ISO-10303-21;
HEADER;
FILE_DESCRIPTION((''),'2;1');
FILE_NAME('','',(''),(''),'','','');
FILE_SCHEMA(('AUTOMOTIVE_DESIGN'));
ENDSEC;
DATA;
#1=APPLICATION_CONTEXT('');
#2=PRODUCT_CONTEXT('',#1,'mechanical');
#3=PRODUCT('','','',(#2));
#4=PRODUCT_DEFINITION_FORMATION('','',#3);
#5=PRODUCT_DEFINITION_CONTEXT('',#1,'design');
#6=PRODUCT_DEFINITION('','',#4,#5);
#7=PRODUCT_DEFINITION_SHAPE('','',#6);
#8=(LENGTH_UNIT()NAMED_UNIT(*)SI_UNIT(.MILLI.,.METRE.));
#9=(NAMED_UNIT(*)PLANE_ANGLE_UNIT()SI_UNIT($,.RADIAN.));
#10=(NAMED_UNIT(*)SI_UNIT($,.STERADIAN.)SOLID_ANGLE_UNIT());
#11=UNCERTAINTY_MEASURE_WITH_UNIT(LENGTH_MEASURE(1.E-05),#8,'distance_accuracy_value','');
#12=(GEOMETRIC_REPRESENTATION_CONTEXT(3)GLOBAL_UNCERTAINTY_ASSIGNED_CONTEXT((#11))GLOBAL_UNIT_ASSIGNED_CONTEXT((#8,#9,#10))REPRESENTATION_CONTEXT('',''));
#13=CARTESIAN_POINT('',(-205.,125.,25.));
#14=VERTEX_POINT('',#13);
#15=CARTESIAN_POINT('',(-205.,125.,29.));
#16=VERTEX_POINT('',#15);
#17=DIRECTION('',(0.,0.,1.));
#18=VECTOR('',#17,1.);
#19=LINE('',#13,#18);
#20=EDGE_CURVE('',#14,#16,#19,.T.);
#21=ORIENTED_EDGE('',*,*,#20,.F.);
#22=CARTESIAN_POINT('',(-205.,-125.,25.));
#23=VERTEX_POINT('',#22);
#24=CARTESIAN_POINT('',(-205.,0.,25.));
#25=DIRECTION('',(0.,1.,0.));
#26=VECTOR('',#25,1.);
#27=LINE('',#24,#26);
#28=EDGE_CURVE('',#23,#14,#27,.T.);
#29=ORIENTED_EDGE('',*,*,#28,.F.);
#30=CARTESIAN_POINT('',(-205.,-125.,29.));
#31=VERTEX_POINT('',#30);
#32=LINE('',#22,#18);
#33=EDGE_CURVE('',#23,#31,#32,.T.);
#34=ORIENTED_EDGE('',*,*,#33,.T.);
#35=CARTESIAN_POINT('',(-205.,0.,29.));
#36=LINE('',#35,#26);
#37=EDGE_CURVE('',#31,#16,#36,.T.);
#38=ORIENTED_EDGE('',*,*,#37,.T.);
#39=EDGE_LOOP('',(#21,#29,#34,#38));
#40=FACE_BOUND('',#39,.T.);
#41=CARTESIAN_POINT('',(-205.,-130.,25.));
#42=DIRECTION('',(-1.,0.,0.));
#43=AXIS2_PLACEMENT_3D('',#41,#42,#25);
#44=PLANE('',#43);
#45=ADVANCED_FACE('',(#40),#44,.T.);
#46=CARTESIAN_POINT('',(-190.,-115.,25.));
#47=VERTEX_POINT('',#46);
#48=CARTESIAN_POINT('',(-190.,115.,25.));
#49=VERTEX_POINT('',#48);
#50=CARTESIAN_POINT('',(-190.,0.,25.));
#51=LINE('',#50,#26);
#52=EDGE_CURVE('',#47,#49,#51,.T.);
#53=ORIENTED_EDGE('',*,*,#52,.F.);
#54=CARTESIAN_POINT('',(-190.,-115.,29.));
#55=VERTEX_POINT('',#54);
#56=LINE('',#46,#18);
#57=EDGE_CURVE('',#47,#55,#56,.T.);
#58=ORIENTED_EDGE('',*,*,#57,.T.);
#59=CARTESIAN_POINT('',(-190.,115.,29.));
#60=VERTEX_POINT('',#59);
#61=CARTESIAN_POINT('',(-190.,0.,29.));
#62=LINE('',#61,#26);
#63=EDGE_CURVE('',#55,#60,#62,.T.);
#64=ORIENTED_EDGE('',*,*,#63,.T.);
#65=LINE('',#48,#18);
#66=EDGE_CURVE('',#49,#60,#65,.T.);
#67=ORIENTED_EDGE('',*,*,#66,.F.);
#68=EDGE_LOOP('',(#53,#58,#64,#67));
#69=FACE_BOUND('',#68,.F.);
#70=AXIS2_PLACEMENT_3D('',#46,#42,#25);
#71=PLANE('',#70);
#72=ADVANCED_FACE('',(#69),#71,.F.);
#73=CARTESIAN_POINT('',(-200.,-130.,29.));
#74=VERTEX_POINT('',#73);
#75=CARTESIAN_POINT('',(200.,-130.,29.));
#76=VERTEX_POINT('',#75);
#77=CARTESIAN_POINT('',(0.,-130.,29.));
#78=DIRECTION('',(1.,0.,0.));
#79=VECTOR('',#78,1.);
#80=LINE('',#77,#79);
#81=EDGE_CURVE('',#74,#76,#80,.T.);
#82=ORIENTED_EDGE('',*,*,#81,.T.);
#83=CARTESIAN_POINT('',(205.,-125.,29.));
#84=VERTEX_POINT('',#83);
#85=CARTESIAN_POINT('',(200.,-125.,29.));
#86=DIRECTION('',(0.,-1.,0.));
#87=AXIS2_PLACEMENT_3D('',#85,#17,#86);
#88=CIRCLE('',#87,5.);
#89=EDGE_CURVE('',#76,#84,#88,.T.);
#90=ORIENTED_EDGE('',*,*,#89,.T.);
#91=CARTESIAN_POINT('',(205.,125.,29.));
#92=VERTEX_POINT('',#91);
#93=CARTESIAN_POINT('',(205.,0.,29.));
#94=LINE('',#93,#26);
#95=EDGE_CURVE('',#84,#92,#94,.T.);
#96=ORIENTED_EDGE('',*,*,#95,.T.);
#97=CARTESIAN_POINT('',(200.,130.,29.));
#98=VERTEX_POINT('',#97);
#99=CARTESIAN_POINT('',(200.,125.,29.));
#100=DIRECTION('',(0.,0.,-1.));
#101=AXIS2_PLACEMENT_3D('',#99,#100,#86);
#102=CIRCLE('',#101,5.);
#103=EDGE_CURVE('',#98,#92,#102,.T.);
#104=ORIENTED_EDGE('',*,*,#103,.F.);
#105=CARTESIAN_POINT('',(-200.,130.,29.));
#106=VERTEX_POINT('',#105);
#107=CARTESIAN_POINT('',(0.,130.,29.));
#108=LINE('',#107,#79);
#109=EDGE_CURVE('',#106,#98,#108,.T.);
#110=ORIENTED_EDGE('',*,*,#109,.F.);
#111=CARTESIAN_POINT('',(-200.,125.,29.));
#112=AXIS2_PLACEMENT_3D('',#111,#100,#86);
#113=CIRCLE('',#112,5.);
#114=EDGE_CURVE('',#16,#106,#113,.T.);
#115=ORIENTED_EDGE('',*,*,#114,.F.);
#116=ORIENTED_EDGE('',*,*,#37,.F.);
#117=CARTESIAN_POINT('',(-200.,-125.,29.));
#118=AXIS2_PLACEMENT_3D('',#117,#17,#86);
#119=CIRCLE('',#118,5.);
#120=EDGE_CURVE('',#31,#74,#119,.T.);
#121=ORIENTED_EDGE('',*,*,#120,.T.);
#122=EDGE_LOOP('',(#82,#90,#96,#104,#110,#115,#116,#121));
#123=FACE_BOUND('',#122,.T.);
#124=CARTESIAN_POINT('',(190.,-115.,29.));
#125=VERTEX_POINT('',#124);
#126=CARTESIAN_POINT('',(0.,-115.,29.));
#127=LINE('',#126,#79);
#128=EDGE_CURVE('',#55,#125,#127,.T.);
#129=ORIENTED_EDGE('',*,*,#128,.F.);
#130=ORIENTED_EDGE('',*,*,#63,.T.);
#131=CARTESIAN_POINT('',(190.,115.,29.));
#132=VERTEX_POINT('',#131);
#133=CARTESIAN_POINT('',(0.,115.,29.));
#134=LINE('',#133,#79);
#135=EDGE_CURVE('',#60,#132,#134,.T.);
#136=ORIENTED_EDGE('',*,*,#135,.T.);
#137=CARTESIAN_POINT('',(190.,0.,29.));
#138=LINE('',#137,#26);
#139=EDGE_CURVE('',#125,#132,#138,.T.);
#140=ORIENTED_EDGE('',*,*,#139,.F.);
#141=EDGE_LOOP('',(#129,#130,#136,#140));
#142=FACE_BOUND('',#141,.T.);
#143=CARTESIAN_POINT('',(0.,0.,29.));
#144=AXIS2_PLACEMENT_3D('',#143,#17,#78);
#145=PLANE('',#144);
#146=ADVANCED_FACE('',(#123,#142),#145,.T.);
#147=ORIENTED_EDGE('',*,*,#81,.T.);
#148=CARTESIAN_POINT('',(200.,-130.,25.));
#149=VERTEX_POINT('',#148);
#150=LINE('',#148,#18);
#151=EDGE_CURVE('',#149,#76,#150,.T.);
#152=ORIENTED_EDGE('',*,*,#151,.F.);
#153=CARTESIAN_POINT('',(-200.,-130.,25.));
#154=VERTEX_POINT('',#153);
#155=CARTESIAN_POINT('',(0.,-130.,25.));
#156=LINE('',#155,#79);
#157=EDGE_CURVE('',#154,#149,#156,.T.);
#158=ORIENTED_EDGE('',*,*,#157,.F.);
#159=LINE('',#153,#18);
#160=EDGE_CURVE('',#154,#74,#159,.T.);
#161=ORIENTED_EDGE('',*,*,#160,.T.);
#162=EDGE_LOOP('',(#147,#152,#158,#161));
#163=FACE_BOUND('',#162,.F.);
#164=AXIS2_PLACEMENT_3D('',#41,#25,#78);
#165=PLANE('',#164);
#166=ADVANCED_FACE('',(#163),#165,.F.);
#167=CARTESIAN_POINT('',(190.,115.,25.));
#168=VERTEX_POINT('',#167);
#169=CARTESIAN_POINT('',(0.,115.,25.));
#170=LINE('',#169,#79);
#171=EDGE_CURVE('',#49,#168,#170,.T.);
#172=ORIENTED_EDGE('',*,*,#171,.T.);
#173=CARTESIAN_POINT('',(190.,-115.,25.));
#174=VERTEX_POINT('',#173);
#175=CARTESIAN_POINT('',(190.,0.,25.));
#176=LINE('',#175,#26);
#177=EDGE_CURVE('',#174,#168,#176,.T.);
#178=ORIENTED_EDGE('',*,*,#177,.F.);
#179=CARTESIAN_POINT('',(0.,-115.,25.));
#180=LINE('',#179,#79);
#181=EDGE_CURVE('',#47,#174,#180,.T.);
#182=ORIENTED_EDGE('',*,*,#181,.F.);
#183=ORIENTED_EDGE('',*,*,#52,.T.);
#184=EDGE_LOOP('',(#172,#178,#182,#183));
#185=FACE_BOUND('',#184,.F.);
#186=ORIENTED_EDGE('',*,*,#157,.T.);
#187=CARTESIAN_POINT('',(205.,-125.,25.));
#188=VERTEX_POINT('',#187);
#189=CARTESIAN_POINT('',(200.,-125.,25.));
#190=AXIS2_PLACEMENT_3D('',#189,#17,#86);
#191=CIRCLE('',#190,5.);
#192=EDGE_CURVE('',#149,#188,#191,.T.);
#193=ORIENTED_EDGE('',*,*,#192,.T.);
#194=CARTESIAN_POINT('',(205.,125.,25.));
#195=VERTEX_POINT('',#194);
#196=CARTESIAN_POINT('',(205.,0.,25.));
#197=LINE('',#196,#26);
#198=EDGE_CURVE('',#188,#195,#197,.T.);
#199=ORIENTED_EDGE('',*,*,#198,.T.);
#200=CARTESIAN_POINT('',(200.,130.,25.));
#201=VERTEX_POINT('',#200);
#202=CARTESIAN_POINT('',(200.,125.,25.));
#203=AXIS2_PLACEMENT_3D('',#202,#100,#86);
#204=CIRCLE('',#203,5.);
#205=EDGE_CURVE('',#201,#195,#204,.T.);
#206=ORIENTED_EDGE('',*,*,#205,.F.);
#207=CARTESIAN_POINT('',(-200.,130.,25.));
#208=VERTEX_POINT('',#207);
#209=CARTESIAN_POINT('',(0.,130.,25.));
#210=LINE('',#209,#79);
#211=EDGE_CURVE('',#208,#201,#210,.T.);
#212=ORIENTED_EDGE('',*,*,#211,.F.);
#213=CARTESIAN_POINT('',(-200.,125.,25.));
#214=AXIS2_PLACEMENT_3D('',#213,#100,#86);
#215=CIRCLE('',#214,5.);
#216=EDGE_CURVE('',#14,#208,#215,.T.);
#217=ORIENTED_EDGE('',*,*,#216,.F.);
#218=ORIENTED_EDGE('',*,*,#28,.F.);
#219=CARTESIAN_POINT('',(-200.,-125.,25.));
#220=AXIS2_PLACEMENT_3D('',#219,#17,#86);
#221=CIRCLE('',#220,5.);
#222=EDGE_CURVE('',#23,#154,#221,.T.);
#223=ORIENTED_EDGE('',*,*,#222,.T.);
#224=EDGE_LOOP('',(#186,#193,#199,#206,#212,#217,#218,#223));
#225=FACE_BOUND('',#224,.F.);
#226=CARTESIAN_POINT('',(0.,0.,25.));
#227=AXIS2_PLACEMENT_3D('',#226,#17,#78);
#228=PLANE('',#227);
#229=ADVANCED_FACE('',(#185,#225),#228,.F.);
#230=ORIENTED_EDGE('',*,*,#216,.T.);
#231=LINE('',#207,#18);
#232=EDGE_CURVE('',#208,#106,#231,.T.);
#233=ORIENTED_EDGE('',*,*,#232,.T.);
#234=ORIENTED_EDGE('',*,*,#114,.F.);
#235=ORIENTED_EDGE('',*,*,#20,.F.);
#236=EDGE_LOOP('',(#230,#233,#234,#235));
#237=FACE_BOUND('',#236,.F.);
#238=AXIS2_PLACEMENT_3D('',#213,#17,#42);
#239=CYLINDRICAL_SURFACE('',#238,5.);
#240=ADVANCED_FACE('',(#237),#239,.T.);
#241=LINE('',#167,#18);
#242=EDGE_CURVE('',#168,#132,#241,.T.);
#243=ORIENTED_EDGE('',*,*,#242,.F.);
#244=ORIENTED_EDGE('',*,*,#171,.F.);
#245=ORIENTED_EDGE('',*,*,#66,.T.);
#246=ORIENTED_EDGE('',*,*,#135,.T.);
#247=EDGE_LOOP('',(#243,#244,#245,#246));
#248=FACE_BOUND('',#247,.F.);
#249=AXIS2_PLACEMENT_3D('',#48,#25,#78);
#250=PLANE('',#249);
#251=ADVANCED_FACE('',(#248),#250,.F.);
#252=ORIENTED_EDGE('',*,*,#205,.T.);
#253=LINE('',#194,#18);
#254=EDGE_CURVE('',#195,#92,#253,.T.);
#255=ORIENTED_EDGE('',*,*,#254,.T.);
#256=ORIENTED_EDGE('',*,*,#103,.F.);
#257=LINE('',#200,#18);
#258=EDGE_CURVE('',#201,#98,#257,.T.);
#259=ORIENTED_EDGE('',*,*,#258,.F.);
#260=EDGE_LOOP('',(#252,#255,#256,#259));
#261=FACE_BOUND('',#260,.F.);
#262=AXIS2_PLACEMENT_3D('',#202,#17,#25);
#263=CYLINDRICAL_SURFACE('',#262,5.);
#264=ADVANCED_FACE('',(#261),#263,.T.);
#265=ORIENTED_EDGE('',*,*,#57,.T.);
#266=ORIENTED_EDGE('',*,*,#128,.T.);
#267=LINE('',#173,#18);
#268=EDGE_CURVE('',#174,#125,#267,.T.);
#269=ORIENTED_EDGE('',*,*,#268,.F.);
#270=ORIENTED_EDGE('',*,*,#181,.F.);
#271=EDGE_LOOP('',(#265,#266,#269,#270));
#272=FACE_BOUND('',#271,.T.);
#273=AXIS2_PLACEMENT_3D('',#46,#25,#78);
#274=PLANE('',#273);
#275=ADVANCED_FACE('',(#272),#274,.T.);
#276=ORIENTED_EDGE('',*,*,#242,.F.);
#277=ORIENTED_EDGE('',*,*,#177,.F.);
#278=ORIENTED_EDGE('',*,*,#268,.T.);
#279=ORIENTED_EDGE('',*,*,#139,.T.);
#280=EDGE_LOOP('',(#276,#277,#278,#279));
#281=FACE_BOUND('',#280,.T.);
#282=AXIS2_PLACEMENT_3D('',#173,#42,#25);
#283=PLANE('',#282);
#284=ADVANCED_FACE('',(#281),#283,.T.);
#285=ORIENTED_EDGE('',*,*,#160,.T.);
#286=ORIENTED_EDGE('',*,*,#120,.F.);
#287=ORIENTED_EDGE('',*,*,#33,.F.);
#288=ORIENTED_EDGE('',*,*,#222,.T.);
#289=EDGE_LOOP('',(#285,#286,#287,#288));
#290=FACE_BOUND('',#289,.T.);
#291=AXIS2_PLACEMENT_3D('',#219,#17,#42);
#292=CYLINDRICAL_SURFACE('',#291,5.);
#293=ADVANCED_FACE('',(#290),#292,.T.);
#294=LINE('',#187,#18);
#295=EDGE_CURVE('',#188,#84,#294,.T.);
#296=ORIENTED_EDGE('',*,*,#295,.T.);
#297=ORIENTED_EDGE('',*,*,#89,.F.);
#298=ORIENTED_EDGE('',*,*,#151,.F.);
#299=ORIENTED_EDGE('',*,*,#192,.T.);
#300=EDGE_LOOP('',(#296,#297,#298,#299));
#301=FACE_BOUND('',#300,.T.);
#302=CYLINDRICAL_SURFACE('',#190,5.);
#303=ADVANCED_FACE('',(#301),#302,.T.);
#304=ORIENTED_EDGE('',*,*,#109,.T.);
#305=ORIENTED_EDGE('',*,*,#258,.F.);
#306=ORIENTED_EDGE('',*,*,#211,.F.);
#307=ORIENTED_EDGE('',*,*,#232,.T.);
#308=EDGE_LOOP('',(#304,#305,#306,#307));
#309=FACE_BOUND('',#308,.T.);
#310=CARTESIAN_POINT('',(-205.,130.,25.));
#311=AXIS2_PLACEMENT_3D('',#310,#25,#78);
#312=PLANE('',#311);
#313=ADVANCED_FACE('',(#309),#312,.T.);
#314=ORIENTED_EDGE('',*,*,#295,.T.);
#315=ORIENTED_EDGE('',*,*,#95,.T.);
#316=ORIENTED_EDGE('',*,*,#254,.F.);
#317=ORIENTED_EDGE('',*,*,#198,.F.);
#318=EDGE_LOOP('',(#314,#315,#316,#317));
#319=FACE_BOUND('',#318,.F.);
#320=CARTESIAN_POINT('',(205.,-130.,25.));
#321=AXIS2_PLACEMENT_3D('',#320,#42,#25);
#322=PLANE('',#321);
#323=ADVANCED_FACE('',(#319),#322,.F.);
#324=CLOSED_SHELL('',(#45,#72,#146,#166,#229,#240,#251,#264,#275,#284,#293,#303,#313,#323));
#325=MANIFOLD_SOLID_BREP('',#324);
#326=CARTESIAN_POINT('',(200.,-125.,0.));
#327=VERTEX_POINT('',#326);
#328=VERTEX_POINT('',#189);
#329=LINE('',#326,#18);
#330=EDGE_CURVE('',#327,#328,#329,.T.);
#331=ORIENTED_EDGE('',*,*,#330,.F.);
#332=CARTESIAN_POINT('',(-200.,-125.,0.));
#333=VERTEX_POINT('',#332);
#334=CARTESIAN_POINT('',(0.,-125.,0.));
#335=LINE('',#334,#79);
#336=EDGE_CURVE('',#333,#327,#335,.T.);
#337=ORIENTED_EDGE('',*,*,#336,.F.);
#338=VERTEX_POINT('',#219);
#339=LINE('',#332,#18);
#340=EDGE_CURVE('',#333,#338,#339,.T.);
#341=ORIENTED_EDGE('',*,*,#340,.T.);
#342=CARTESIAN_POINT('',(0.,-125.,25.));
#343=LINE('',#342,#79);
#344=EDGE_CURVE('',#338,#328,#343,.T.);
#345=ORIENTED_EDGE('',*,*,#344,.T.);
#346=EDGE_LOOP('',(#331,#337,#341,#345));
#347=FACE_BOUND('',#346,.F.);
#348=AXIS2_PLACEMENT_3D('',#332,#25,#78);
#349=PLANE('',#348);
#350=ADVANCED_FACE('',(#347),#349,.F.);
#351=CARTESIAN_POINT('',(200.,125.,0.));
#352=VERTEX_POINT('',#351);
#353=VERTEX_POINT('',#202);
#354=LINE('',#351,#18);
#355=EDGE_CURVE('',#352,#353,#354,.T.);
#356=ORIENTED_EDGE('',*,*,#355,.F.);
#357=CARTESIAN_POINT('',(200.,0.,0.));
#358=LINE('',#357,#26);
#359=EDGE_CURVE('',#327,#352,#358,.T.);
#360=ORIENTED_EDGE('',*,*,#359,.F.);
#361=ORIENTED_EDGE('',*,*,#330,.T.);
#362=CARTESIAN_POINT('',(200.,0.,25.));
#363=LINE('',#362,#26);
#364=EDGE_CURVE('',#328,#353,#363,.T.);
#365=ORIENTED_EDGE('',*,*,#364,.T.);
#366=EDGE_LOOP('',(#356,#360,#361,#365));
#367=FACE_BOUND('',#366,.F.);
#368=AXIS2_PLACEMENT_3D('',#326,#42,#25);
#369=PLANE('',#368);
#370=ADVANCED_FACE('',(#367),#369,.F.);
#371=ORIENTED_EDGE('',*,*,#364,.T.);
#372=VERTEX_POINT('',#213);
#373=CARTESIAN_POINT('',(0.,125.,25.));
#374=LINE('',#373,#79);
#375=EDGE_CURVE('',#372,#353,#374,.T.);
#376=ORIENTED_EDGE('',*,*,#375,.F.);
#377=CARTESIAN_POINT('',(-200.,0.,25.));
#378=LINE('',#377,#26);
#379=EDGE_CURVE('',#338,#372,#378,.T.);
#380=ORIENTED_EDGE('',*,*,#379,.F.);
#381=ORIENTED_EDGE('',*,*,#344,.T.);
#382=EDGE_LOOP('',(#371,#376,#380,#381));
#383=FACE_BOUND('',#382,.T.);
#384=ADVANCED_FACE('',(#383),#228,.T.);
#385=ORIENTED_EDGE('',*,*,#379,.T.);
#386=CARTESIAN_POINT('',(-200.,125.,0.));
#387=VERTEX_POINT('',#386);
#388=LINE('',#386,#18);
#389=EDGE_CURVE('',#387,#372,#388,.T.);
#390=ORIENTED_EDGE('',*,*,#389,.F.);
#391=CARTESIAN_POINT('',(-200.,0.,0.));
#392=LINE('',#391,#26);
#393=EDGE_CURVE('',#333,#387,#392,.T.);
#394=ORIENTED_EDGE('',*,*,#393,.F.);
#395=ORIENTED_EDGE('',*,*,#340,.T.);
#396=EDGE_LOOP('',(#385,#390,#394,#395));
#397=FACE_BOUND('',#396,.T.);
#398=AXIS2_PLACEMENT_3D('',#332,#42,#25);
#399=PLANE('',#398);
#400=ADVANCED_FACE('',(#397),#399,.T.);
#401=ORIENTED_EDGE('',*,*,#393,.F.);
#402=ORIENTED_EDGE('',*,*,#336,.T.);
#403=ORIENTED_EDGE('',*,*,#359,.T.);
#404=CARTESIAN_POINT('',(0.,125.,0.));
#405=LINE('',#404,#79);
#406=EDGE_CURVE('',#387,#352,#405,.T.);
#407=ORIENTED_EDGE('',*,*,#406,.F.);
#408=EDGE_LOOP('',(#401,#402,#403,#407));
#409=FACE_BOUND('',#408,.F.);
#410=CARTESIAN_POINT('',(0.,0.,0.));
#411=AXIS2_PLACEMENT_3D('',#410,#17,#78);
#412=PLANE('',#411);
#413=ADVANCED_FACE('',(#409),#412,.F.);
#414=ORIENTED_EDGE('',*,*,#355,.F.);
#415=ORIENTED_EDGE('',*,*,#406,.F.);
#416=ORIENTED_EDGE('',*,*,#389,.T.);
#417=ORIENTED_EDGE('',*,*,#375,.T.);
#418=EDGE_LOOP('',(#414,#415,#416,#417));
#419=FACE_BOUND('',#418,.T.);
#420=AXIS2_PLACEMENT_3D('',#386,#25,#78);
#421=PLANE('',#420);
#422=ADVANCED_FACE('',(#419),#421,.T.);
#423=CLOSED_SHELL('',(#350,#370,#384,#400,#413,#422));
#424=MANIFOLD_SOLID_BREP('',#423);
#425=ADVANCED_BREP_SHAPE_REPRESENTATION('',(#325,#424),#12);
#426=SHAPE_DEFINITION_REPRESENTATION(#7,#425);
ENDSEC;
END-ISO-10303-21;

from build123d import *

# Parameters (mm, degrees)
F0_W     = 400
F0_H     = 250
F1_DEPTH = 25
F2_W     = 410
F2_H     = 260
F2_W_2   = 380
F2_H_2   = 230
F3_DEPTH = 4
F4_R     = 5


with BuildPart() as f1:
    # F0 (on Top) → F1 (new body)
    with BuildSketch(Plane.XY):
        Rectangle(F0_W, F0_H)
    extrude(amount=F1_DEPTH)


with BuildPart() as f3:
    # F2 (on face) → F3 (new body)
    with BuildSketch(Plane.XY.offset(25)):
        Rectangle(F2_W, F2_H)
        Rectangle(F2_W_2, F2_H_2, mode=Mode.SUBTRACT)
    extrude(amount=F3_DEPTH)

    # F4
    f4_edges = [f3.edges().sort_by_distance(p)[0] for p in [
        (-205, -130, 27),
        (-205, 130, 27),
        (205, -130, 27),
        (205, 130, 27),
    ]]
    fillet(f4_edges, radius=F4_R)


solid = Compound([f1.part, f3.part])
